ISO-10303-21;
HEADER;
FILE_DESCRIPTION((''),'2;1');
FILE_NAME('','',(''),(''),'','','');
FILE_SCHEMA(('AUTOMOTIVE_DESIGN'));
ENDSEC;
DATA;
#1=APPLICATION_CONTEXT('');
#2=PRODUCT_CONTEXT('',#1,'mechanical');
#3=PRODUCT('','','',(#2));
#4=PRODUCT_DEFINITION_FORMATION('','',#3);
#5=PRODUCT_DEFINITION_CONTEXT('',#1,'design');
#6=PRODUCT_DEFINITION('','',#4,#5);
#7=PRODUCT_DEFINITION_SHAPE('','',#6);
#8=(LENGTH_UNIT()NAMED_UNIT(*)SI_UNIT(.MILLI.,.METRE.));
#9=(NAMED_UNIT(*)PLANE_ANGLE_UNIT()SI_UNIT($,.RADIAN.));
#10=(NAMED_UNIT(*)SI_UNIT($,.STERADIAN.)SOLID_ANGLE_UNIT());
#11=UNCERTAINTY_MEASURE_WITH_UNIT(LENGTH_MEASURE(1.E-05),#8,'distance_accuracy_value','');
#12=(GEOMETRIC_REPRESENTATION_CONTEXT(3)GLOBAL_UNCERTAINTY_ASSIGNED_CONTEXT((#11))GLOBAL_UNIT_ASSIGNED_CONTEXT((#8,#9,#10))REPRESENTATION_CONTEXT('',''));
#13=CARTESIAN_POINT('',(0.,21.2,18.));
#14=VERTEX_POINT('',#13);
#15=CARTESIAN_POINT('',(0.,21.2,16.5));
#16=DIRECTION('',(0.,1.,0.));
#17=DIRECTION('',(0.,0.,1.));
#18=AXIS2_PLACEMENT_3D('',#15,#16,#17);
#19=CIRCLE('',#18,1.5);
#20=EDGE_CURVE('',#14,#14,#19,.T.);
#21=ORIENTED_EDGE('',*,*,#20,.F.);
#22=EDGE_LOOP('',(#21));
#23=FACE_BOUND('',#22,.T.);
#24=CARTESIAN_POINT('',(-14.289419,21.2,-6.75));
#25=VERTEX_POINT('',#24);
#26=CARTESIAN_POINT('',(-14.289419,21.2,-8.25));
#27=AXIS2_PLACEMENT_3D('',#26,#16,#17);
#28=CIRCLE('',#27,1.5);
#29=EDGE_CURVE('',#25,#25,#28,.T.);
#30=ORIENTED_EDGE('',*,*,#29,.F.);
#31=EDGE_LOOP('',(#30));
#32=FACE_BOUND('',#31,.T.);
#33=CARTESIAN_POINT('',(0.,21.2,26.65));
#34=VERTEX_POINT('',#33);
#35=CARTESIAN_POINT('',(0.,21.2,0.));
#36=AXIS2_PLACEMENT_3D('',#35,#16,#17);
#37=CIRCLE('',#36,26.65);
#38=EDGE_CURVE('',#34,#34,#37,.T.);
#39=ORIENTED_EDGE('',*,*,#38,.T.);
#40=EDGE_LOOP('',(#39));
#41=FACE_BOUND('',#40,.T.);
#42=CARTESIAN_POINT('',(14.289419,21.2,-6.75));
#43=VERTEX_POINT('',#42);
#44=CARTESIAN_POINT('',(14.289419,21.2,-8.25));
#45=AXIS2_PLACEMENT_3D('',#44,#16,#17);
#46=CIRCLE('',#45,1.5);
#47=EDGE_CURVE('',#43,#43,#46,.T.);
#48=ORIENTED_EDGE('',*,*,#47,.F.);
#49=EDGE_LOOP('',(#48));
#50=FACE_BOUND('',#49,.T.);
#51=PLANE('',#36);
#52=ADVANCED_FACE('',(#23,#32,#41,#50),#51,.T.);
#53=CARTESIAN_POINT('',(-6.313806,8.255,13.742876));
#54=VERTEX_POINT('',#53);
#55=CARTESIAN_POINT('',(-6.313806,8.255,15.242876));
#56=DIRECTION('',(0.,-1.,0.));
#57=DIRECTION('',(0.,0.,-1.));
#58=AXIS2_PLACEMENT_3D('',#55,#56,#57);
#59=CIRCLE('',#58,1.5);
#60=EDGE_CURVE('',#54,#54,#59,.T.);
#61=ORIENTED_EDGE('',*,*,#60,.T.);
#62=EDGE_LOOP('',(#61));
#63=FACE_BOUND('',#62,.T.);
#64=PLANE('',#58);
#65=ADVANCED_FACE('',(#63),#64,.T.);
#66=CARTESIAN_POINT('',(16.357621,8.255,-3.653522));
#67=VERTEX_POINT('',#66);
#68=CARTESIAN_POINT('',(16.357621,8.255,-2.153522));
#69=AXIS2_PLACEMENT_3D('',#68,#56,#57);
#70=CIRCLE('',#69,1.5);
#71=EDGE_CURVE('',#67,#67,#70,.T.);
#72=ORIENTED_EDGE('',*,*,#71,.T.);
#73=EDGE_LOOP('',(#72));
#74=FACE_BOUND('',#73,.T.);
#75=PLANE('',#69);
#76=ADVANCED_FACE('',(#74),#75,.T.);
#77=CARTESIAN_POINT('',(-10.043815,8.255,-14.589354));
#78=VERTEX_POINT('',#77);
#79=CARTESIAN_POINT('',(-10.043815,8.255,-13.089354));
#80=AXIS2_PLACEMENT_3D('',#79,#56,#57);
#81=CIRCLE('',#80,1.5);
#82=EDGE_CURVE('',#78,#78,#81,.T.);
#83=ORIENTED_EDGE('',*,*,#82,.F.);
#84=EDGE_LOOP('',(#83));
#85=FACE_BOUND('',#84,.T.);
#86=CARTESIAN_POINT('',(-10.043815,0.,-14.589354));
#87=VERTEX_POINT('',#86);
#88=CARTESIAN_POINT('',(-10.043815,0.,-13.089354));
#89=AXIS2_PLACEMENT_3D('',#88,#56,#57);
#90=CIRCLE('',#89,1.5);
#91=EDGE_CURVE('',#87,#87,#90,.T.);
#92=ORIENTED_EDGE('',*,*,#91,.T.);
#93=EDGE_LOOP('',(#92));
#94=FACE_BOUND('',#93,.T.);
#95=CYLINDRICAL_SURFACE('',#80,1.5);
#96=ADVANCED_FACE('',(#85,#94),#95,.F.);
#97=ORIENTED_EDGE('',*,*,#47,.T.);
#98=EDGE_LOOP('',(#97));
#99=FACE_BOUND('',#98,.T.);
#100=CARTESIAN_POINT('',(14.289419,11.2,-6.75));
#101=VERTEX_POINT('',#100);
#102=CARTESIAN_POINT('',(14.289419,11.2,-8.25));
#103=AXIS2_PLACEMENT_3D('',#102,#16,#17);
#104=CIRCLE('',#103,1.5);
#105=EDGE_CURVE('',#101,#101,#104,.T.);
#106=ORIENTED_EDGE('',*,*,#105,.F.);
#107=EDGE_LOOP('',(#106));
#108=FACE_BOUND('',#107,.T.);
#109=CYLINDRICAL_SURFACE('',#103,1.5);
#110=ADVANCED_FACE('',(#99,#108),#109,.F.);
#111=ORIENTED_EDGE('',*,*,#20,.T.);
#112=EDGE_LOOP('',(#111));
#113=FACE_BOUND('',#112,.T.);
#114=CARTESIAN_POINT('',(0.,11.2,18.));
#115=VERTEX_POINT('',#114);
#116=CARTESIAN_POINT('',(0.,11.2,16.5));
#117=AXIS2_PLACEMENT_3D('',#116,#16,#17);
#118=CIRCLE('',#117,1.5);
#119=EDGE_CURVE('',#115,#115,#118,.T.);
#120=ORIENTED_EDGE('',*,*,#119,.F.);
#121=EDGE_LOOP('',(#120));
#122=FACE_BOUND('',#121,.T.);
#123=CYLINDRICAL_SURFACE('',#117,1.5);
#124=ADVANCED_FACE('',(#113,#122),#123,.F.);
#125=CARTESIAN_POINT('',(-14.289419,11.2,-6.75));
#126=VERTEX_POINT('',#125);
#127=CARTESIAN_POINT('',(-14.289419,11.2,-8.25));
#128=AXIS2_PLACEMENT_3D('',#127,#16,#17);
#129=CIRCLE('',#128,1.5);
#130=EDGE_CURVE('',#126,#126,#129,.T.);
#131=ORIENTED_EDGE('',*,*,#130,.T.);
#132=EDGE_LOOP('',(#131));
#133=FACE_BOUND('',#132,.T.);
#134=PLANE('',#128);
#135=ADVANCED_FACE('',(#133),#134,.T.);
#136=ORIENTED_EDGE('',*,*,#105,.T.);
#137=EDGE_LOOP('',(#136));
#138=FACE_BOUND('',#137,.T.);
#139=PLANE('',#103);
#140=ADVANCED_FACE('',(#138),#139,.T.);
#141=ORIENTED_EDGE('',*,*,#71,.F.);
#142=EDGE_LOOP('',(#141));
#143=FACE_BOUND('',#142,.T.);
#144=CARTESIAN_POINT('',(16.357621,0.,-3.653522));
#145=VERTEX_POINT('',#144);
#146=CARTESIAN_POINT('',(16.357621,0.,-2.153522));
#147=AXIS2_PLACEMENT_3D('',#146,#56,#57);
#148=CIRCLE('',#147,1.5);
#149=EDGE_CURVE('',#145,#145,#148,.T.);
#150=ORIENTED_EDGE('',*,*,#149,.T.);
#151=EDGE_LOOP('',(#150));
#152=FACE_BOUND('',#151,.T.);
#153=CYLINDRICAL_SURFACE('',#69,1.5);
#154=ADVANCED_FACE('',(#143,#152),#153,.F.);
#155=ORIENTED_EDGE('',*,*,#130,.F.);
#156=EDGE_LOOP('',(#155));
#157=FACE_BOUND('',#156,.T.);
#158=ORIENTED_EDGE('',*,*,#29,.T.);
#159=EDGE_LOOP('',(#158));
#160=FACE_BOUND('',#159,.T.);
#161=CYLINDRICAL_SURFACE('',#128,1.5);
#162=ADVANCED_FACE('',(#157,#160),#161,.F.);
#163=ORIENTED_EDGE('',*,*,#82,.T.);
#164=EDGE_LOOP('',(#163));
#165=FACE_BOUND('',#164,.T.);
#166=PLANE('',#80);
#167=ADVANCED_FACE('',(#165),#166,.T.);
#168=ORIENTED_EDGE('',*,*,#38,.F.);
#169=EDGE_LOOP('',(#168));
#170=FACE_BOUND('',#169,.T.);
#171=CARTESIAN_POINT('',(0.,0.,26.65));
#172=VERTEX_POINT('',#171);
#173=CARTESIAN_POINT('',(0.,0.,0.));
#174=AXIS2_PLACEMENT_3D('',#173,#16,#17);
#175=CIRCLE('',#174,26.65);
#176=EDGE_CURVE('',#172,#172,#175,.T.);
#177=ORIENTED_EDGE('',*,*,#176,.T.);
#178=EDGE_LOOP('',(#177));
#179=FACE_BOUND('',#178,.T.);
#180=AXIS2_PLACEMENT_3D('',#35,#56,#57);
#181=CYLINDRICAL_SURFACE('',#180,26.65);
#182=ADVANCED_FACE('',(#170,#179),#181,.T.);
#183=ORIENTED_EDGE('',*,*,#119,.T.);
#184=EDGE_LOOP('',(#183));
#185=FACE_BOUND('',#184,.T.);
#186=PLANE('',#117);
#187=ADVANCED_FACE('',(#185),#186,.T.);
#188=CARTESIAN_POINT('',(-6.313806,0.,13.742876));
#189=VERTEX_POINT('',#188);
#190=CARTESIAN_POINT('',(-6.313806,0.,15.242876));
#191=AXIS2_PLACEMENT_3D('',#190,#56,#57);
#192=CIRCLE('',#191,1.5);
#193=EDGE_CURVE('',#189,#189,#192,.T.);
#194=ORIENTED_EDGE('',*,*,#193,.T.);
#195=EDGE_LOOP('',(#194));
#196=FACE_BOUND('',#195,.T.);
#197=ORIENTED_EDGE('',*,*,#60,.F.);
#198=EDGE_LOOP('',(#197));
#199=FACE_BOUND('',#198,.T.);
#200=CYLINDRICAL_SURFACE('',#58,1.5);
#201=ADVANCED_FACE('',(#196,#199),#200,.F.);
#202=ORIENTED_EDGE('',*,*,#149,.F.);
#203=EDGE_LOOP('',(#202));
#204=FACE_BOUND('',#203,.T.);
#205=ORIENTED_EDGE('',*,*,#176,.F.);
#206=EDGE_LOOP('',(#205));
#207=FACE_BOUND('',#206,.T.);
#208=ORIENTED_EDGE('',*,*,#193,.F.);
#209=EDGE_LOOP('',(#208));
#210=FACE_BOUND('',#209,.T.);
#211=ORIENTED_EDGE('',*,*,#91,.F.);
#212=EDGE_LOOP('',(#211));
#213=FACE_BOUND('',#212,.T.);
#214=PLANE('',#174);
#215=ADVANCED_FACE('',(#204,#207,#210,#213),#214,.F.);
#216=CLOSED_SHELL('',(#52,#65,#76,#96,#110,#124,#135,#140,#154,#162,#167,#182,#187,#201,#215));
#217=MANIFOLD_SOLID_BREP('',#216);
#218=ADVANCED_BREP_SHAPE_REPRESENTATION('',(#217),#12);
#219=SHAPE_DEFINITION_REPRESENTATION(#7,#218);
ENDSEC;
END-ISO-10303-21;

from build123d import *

# Parameters (mm, degrees)
SKETCH1_R           = 26.65
BOSS_EXTRUDE1_DEPTH = 21.2
SKETCH6_R           = 1.5
CUT_EXTRUDE2_DEPTH  = 8.255
SKETCH7_R           = 1.5
CUT_EXTRUDE3_DEPTH  = 10


with BuildPart() as part:
    # Sketch1 → Boss-Extrude1 (new body)
    with BuildSketch(Plane(origin=(0, 0, 0), x_dir=(1, 0, 0), z_dir=(0, 1, 0))):
        with Locations(Location((0, 0, 0), (0, 0, 270))):
            Circle(SKETCH1_R)
    extrude(amount=BOSS_EXTRUDE1_DEPTH)

    # Sketch6 → Cut-Extrude2 (cut)
    with BuildSketch(Plane(origin=(0, 0, 0), x_dir=(-1, 0, 0), z_dir=(0, -1, 0))):
        with Locations(Location((6.313805851, -15.242875716, 0), (0, 0, 90))):
            Circle(SKETCH6_R)
        with Locations(Location((-16.357620523, 2.153521596, 0), (0, 0, 90))):
            Circle(SKETCH6_R)
        with Locations(Location((10.043814672, 13.08935412, 0), (0, 0, 90))):
            Circle(SKETCH6_R)
    extrude(amount=-CUT_EXTRUDE2_DEPTH, mode=Mode.SUBTRACT)

    # Sketch7 → Cut-Extrude3 (cut)
    with BuildSketch(Plane(origin=(0, 21.2, 0), x_dir=(1, 0, 0), z_dir=(0, 1, 0))):
        with Locations(Location((0, -16.5, 0), (0, 0, 270))):
            Circle(SKETCH7_R)
        with Locations(Location((-14.289419162, 8.25, 0), (0, 0, 270))):
            Circle(SKETCH7_R)
        with Locations(Location((14.289419162, 8.25, 0), (0, 0, 270))):
            Circle(SKETCH7_R)
    extrude(amount=-CUT_EXTRUDE3_DEPTH, mode=Mode.SUBTRACT)


solid = part.part
